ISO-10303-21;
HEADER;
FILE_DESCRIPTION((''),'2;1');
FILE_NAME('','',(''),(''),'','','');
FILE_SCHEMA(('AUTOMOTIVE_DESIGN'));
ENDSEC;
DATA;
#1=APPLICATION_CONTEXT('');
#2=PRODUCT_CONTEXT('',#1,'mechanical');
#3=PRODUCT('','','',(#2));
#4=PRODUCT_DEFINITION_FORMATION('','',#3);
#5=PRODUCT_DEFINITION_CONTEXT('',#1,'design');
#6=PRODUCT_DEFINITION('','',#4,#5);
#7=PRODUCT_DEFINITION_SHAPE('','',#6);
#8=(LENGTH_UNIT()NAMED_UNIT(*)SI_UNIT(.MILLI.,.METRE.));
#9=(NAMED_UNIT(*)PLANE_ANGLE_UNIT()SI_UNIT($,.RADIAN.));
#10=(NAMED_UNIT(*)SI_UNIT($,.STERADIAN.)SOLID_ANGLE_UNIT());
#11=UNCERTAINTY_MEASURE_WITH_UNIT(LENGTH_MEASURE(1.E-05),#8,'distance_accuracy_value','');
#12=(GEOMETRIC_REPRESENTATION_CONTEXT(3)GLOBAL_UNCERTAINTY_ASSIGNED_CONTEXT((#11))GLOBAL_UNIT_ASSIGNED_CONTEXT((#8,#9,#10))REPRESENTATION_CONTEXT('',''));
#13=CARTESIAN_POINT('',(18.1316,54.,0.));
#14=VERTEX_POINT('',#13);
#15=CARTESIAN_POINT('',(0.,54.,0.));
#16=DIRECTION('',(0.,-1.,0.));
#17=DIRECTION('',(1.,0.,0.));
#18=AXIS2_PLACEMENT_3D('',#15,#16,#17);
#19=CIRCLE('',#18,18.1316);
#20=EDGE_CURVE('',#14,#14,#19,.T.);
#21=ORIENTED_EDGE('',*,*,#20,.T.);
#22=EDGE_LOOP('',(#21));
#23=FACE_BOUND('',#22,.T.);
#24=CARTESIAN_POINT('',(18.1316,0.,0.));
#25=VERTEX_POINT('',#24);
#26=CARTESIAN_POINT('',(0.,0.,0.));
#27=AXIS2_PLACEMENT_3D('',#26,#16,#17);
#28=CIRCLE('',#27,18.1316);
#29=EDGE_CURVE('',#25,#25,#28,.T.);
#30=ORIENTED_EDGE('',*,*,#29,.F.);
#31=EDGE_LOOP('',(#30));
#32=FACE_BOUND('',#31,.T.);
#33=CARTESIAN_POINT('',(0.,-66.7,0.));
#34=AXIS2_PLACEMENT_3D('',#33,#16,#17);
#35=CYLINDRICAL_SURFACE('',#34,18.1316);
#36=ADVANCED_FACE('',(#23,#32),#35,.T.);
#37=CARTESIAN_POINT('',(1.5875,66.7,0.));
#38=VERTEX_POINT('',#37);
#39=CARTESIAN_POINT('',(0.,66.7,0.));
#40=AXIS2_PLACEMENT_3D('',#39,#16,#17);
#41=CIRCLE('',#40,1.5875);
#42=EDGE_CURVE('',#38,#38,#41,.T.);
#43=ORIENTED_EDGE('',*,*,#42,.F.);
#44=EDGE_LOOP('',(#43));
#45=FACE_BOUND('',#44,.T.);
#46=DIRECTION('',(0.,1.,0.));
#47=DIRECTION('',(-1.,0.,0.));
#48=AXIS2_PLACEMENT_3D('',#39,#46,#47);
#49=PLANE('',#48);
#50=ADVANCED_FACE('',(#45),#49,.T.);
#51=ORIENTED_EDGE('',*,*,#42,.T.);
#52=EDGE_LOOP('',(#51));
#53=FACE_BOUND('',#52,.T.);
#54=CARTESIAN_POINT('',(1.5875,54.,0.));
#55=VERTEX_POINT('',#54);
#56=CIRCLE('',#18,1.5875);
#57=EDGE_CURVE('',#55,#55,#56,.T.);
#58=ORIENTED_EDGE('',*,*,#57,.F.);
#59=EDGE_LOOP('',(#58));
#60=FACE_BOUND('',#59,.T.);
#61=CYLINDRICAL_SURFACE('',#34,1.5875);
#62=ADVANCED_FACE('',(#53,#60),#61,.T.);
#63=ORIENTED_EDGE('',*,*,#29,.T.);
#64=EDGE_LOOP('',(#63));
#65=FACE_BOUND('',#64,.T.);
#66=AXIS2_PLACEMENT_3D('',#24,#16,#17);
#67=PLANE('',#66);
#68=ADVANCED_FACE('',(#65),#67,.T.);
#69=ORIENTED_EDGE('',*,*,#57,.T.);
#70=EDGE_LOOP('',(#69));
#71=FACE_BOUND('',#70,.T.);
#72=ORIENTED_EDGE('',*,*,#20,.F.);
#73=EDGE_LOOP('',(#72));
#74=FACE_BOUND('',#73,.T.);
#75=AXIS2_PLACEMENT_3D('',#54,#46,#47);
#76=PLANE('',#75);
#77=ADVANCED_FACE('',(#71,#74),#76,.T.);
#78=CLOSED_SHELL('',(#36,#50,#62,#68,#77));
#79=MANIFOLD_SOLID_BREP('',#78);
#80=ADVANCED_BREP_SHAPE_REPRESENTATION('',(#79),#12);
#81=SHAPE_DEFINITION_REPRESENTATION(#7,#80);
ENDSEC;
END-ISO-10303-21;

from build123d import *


with BuildPart() as part:
    # Sketch1 → Revolve1 (revolve)
    with BuildSketch(Plane.XY):
        Polygon((0, 66.7), (1.5875, 66.7), (1.5875, 54), (18.1316, 54), (18.1316, 0), (0, 0), align=None)
    revolve(axis=Axis((0, -66.7, 0), (0, 1, 0)))


solid = part.part
